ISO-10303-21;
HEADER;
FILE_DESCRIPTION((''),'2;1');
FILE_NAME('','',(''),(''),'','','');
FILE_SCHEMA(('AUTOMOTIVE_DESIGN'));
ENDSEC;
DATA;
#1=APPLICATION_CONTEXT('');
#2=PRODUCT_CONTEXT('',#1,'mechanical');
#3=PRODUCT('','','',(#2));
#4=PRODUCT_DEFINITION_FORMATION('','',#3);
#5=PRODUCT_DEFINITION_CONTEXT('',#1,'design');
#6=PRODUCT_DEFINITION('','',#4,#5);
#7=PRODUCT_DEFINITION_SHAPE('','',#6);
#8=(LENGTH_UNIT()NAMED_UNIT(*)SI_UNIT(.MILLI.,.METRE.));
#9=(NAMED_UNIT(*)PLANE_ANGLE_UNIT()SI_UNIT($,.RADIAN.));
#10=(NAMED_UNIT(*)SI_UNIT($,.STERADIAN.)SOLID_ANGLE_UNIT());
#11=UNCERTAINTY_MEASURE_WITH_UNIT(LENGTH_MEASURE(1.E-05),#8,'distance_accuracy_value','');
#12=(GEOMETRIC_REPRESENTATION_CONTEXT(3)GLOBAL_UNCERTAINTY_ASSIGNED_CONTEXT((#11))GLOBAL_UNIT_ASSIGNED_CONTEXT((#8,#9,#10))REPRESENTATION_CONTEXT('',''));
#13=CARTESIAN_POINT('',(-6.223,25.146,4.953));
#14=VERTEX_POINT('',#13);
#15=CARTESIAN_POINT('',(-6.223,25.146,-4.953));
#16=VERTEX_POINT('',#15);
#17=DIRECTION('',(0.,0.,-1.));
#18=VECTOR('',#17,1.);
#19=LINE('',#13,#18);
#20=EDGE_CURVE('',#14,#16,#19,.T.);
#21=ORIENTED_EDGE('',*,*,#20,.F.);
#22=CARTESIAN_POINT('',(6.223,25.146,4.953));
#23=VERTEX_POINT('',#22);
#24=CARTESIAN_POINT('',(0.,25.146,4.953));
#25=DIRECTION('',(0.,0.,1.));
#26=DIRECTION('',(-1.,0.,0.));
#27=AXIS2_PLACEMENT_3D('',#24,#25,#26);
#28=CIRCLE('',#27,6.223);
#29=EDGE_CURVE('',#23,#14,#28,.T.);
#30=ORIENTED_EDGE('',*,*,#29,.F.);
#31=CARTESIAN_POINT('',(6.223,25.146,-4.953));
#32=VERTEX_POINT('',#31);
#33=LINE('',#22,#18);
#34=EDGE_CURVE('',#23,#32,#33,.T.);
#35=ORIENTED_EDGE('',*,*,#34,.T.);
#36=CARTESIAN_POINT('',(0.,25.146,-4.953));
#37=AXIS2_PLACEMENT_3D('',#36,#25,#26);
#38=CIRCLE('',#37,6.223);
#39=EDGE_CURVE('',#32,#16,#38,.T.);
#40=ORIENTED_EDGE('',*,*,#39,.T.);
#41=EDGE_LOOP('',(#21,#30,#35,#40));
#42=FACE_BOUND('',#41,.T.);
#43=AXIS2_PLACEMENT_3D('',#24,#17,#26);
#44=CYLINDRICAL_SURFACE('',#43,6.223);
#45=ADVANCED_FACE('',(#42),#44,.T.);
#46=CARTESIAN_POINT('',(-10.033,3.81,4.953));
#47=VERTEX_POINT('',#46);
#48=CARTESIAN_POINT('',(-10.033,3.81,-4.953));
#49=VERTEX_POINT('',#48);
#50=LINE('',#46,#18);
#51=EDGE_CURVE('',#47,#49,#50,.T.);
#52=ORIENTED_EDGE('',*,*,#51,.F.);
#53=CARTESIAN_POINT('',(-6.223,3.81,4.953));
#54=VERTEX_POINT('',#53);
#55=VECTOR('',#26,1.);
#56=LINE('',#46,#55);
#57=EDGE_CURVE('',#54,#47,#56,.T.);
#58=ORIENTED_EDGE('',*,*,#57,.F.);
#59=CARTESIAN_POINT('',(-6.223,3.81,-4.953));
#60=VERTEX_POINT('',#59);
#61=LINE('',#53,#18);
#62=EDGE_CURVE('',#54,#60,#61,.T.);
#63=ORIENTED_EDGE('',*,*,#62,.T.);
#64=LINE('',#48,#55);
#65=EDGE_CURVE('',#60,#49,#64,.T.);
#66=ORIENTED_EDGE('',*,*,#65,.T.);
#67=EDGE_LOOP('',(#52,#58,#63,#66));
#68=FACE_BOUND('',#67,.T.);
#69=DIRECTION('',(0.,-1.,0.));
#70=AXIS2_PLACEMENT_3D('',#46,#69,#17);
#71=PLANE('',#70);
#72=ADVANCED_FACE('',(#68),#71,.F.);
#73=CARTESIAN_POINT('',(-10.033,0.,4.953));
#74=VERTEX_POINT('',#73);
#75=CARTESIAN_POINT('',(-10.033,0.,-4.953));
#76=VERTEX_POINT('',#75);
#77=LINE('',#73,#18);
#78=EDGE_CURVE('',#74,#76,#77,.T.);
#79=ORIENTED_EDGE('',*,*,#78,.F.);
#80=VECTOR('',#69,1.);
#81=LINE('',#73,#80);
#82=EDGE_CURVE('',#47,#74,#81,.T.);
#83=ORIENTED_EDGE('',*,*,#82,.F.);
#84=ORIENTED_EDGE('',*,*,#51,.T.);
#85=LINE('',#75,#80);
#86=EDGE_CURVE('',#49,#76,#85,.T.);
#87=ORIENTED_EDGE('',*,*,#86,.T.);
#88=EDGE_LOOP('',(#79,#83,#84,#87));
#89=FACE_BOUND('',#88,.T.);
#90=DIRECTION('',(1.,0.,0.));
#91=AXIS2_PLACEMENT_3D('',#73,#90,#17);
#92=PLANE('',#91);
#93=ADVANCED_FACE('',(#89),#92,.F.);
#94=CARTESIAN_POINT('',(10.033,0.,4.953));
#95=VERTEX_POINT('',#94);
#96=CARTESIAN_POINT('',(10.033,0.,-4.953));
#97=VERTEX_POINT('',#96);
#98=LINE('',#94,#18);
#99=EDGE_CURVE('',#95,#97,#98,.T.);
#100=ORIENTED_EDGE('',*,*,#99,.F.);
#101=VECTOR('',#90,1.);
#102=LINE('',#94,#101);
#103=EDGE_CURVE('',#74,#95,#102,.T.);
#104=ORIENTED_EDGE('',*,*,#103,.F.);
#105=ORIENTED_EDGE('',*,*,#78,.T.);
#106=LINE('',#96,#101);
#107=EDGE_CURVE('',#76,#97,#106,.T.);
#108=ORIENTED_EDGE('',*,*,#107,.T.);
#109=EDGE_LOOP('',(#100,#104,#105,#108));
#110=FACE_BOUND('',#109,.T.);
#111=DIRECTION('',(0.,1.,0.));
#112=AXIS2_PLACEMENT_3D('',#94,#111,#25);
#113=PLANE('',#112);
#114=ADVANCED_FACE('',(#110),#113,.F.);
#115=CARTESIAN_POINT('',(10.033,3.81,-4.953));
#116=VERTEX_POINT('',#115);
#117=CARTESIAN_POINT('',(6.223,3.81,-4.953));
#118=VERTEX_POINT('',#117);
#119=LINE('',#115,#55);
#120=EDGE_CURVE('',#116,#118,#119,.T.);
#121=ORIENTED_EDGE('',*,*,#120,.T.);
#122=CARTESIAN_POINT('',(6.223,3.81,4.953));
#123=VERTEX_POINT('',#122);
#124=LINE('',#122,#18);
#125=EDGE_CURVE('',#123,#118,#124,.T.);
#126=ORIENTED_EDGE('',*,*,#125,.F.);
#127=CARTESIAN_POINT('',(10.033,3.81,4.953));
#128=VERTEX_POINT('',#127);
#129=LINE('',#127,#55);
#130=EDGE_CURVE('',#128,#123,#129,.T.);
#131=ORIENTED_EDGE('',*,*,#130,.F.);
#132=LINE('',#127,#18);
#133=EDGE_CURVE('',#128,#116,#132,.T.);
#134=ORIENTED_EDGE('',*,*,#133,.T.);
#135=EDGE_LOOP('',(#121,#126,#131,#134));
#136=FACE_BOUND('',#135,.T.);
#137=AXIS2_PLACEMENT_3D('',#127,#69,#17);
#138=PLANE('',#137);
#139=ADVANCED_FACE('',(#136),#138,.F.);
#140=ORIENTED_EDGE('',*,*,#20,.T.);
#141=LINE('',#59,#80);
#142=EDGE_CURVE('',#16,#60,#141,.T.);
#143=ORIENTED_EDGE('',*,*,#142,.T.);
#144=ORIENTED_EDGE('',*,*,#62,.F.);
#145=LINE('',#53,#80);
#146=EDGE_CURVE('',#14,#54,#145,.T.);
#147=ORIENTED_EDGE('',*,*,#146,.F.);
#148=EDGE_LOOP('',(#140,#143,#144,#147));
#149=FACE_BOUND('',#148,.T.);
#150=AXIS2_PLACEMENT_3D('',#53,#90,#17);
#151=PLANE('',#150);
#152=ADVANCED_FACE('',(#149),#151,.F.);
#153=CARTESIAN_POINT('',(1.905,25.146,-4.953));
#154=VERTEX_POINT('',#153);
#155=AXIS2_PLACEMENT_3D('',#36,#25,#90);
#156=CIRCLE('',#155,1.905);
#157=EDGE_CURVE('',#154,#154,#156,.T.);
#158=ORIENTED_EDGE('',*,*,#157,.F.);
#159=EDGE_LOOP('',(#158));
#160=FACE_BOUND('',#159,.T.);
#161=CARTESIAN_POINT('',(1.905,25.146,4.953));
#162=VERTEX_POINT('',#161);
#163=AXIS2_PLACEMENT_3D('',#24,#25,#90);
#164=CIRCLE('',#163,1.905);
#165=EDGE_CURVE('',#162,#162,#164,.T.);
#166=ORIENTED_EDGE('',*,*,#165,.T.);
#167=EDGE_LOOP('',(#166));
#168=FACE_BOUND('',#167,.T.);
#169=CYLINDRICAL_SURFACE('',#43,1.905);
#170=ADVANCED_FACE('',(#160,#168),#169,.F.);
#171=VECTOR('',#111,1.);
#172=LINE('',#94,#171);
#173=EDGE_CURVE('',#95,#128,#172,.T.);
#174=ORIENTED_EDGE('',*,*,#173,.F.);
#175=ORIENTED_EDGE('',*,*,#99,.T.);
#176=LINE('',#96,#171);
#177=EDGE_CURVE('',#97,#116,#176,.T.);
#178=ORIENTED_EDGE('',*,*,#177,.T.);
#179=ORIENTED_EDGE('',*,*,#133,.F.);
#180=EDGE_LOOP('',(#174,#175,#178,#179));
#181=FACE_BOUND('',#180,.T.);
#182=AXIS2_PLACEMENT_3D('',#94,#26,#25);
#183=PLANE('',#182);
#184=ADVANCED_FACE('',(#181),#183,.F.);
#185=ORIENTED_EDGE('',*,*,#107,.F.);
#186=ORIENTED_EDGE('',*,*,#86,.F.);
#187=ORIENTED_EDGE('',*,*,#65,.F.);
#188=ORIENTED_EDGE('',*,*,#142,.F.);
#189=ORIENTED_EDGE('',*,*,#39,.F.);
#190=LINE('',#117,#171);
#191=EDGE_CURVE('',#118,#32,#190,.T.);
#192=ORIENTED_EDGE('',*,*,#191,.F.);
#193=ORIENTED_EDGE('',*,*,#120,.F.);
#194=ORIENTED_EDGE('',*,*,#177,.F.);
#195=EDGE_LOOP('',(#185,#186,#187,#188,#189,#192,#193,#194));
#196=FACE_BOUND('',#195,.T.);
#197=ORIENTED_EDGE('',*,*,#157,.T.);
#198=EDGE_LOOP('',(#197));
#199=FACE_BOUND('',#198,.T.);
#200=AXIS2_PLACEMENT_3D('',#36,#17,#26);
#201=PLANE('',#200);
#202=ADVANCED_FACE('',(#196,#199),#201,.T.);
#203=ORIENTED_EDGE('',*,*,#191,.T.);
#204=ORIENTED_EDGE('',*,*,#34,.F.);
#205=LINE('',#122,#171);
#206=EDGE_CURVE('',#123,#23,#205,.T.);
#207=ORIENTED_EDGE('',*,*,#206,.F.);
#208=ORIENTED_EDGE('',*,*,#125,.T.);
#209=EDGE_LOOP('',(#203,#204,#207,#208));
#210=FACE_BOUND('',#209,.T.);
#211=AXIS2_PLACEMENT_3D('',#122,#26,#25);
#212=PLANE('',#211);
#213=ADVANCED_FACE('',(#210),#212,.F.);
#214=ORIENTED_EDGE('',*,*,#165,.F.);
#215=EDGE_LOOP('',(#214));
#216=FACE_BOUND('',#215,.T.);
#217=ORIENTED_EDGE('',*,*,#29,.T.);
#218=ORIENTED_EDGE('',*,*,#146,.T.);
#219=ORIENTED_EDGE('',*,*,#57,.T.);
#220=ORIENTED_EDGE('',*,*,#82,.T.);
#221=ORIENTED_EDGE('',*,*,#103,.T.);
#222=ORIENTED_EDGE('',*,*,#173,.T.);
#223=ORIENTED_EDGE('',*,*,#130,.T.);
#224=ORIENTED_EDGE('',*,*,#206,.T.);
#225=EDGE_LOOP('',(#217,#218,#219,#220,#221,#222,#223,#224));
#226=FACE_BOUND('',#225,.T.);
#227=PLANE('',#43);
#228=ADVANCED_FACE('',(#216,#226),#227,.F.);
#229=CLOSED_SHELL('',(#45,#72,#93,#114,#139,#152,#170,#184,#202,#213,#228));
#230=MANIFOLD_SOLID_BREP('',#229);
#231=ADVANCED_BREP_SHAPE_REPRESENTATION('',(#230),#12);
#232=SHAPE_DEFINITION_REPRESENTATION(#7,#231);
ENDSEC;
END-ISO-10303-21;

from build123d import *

# Parameters (mm, degrees)
SKETCH1_R           = 1.905
BOSS_EXTRUDE1_DEPTH = 4.953


with BuildPart() as part:
    # Sketch1 → Boss-Extrude1 (new, symmetric)
    with BuildSketch(Plane.XY):
        with BuildLine():
            Line((10.033, 0), (-10.033, 0))
            Line((-10.033, 0), (-10.033, 3.81))
            Line((-10.033, 3.81), (-6.223, 3.81))
            Line((-6.223, 3.81), (-6.223, 25.146))
            ThreePointArc((-6.223, 25.146), (0, 31.369), (6.223, 25.146))
            Line((6.223, 25.146), (6.223, 3.81))
            Line((6.223, 3.81), (10.033, 3.81))
            Line((10.033, 3.81), (10.033, 0))
        make_face()
        with Locations((0, 25.146)):
            Circle(SKETCH1_R, mode=Mode.SUBTRACT)
    extrude(amount=BOSS_EXTRUDE1_DEPTH, both=True)


solid = part.part
